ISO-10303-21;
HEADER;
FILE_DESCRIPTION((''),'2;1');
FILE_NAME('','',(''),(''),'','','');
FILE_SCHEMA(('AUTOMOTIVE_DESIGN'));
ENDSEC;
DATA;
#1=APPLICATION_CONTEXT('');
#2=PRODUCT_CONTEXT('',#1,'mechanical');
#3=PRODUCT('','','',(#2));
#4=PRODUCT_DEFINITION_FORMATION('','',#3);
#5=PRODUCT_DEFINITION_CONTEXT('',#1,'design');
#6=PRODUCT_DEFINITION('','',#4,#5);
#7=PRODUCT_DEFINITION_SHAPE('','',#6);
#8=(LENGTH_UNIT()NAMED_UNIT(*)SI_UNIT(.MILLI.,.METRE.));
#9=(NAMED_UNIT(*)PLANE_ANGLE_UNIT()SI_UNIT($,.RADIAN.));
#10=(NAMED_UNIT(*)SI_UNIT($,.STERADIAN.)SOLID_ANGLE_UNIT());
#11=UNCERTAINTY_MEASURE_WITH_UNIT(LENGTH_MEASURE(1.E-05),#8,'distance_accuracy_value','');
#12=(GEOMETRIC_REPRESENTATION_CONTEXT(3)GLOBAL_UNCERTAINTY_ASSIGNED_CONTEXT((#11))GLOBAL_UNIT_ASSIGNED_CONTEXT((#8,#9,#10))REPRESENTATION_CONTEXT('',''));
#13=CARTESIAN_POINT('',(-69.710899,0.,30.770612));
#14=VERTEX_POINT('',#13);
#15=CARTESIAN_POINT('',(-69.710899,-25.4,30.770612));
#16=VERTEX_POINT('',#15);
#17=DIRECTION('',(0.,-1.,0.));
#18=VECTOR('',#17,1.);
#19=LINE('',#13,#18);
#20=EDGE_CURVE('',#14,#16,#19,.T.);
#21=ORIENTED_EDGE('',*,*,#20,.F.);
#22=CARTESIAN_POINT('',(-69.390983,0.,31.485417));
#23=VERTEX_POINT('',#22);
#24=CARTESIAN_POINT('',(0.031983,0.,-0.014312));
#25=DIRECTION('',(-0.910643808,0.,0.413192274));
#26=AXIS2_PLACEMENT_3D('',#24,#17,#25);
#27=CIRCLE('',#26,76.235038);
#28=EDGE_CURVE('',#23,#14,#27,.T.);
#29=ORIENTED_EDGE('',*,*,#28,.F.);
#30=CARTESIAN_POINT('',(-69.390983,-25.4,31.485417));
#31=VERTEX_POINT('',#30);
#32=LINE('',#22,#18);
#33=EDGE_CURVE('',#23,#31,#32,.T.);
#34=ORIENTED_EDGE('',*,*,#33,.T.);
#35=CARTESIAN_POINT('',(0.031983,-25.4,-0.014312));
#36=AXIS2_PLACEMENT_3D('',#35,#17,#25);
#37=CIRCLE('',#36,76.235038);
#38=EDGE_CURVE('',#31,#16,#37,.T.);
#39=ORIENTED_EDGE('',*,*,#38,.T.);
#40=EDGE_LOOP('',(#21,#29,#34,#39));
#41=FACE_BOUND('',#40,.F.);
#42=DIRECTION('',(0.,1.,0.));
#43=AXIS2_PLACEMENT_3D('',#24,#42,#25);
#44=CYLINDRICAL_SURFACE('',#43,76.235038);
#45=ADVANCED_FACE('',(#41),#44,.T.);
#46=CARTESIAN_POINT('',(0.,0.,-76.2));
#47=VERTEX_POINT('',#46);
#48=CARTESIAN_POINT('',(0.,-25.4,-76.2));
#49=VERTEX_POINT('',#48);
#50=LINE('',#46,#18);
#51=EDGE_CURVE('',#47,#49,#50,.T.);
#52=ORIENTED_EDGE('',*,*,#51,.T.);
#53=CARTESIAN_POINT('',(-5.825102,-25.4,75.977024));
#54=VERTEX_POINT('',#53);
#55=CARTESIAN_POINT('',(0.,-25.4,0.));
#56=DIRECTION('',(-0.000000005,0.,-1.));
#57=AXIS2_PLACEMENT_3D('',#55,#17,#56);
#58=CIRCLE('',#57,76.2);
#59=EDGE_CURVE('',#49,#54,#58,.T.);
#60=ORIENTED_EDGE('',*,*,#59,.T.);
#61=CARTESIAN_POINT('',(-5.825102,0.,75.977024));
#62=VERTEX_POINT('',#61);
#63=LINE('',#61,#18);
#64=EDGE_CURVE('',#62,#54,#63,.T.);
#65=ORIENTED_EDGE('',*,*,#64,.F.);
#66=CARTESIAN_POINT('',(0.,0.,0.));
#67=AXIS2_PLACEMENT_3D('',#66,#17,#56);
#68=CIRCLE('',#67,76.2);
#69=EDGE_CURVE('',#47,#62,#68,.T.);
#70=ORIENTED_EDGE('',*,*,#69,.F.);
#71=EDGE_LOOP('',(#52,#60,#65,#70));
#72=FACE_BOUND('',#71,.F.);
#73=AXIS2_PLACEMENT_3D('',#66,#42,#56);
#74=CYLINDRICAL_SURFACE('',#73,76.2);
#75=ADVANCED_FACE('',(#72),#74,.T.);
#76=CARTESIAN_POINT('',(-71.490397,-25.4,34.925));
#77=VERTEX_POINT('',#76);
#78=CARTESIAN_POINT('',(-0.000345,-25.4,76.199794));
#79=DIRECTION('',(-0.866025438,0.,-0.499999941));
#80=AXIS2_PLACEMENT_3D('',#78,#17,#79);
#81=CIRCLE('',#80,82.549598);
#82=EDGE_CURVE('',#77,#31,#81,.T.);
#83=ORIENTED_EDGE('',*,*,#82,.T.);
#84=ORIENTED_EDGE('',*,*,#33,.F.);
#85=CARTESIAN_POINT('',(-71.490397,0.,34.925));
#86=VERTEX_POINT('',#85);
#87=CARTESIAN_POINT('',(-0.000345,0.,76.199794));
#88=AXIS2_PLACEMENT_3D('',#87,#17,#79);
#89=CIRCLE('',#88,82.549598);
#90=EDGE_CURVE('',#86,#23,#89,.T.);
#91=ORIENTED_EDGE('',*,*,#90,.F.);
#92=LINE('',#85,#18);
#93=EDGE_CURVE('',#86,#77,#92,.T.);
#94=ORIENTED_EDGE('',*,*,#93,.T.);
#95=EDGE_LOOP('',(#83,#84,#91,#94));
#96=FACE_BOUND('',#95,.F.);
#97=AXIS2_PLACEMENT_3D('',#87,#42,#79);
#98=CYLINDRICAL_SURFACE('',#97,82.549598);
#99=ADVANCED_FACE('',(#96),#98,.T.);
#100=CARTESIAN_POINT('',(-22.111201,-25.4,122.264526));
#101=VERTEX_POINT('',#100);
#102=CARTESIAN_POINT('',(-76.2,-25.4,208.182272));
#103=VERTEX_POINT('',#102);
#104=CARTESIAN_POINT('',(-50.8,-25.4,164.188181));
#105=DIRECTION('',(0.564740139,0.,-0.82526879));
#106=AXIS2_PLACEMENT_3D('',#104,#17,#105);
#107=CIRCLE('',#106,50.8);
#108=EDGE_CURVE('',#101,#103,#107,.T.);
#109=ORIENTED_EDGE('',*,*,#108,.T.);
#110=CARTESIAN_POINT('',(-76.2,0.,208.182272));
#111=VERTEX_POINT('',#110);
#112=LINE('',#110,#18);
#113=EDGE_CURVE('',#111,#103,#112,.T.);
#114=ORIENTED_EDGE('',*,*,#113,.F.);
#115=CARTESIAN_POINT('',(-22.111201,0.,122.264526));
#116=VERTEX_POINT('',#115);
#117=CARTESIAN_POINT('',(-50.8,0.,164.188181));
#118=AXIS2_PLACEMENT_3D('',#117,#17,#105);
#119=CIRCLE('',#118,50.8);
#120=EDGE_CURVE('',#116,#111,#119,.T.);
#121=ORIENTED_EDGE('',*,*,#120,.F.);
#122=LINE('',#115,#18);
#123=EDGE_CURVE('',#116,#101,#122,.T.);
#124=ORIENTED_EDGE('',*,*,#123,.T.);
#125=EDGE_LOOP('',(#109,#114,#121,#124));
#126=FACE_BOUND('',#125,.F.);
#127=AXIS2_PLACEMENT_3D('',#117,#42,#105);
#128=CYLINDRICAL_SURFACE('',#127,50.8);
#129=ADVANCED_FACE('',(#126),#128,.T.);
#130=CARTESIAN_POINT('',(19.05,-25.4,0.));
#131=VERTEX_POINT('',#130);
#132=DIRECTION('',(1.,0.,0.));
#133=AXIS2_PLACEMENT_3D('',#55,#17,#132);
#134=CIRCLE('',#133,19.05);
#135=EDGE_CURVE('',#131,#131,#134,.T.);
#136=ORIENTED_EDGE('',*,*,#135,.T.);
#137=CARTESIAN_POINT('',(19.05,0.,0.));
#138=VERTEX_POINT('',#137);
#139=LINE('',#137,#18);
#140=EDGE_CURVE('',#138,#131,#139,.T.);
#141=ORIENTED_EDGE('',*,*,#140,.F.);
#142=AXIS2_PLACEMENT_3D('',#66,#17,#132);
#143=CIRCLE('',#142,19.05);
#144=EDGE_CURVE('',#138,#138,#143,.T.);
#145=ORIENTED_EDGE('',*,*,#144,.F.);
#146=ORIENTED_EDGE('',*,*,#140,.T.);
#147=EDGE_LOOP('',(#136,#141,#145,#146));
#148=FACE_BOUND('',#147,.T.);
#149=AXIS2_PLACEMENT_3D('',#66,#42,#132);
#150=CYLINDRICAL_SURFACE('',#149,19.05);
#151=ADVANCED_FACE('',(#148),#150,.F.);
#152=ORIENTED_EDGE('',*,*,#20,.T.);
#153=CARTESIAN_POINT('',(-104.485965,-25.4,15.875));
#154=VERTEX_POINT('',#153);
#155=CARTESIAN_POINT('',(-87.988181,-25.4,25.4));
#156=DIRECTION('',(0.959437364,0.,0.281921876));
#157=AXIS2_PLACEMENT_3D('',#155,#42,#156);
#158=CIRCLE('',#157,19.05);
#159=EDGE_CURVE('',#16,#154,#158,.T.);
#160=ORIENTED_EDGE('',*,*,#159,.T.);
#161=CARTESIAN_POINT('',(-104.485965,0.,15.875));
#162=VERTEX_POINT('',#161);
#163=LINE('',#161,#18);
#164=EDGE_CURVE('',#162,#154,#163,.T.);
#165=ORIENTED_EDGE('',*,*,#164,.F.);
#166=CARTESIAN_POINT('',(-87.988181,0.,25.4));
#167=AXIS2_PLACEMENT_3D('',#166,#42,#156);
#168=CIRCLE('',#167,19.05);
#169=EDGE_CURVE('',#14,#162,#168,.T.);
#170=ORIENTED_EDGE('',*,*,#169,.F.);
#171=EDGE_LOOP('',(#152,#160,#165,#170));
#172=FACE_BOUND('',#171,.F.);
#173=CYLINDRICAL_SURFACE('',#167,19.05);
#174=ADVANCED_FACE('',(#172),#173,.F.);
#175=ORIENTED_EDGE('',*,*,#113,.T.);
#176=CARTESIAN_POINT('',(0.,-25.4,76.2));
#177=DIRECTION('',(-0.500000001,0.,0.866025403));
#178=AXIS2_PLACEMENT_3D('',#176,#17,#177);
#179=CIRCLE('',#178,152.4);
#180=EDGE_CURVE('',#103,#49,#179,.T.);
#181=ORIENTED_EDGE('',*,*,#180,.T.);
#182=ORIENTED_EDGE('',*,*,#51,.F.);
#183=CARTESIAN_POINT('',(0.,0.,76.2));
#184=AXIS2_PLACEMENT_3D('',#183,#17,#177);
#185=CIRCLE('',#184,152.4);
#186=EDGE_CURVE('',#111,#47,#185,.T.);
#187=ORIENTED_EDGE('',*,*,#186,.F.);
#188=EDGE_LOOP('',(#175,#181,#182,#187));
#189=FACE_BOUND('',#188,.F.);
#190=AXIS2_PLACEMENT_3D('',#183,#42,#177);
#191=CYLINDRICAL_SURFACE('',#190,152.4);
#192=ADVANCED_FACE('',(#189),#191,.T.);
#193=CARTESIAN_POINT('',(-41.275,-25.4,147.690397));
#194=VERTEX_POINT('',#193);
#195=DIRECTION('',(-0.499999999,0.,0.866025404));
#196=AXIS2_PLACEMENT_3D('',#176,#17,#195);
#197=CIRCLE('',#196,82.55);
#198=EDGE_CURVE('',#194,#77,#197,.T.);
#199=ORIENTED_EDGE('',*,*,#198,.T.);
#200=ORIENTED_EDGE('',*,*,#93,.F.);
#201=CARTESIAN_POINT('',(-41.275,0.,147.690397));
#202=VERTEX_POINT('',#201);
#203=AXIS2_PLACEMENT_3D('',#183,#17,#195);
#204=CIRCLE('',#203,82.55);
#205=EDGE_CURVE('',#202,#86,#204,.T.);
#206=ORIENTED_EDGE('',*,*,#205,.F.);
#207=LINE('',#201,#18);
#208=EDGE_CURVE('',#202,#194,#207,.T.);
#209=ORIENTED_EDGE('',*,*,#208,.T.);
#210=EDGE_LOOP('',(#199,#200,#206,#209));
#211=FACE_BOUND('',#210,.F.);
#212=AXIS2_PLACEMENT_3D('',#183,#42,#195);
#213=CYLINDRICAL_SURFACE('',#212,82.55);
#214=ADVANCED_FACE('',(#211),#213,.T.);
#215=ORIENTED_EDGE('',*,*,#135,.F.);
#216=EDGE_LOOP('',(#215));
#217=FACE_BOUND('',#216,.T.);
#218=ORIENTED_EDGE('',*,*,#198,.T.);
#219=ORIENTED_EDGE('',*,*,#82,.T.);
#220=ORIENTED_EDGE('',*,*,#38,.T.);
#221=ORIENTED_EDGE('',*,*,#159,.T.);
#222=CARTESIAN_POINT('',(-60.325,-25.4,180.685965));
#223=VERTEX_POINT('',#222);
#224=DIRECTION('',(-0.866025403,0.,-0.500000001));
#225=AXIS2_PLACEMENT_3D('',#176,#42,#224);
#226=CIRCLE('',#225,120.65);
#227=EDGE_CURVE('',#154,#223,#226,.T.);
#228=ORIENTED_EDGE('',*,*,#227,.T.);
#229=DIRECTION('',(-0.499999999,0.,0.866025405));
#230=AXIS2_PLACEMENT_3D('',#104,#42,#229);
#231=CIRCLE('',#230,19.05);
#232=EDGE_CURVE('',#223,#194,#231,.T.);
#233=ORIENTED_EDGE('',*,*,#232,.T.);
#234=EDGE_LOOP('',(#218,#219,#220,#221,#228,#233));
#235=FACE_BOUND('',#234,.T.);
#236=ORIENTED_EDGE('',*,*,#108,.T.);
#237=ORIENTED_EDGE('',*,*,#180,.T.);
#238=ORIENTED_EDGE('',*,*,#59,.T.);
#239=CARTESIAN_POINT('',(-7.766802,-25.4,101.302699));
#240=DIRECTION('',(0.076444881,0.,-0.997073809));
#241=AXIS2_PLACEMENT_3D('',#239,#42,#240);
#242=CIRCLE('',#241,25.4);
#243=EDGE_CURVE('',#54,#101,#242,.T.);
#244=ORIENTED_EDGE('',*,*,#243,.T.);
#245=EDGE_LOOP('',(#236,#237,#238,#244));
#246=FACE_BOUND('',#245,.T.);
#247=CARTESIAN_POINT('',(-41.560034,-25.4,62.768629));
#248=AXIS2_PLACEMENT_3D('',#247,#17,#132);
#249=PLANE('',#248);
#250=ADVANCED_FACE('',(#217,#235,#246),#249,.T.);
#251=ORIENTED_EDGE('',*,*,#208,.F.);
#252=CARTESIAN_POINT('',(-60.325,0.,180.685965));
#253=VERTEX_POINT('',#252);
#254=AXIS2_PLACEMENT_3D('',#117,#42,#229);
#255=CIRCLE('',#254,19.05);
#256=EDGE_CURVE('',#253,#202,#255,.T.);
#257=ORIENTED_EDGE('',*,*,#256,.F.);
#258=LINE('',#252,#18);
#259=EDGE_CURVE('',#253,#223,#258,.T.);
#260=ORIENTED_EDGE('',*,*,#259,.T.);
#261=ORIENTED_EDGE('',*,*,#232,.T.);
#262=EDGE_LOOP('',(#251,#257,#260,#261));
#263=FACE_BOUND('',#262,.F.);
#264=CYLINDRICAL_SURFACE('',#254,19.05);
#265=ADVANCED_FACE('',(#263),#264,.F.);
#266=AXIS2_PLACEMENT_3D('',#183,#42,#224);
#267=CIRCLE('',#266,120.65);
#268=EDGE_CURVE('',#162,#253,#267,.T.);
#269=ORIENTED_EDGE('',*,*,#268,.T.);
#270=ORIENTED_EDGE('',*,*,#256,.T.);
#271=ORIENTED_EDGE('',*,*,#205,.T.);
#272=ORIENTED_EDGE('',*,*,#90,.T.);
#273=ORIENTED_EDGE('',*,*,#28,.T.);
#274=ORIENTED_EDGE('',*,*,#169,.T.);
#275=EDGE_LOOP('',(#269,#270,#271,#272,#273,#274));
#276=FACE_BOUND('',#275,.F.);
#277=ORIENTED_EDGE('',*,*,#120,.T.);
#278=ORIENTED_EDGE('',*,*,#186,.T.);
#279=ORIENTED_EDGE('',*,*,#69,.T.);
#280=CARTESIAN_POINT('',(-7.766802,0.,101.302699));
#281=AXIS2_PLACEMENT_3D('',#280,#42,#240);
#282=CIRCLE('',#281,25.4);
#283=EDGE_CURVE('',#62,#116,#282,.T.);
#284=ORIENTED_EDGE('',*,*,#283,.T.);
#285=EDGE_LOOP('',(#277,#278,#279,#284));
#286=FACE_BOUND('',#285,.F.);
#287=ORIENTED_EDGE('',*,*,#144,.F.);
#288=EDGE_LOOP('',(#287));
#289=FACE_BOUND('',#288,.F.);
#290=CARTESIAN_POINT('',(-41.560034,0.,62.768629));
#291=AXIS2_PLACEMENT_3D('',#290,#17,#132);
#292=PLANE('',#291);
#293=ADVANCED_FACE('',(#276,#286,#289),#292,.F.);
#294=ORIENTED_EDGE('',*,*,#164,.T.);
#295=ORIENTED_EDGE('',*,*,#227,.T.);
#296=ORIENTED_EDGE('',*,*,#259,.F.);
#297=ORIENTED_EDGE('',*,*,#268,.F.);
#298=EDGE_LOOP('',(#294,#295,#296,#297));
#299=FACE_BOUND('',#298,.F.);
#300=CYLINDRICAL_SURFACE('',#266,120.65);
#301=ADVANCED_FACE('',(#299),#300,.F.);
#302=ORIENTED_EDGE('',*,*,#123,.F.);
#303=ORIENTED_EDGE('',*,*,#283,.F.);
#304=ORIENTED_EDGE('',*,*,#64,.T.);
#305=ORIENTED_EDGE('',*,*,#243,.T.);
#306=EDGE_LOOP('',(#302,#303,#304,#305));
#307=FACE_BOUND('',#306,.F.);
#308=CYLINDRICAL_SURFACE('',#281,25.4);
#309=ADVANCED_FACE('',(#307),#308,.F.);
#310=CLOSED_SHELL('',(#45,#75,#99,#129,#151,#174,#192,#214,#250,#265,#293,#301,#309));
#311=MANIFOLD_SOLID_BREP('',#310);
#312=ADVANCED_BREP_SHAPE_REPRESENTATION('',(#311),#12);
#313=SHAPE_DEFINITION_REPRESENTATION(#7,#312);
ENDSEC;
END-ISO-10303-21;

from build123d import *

# Parameters (mm, degrees)
F0_R     = 19.05
F1_DEPTH = 25.4


with BuildPart() as f1:
    # F0 (on Front) → F1 (new body)
    with BuildSketch(Plane.XZ):
        with BuildLine():
            ThreePointArc((-76.2, 208.182272), (-147.207096, 36.755978), (0, -76.2))
            ThreePointArc((0, -76.2), (76.144236, 2.914684), (-5.825102, 75.977024))
            ThreePointArc((-5.825102, 75.977024), (-31.726976, 92.872393), (-22.111201, 122.264526))
            ThreePointArc((-22.111201, 122.264526), (-7.809666, 191.252386), (-76.2, 208.182272))
        make_face()
        Circle(F0_R, mode=Mode.SUBTRACT)
        with BuildLine():
            ThreePointArc((-104.485965, 15.875), (-116.538951, 107.426518), (-60.325, 180.685965))
            ThreePointArc((-60.325, 180.685965), (-34.302216, 173.713181), (-41.275, 147.690397))
            ThreePointArc((-41.275, 147.690397), (-79.737177, 97.565512), (-71.490397, 34.925))
            ThreePointArc((-71.490397, 34.925), (-70.461681, 33.192396), (-69.390983, 31.485417))
            ThreePointArc((-69.390983, 31.485417), (-69.551859, 31.128425), (-69.710899, 30.770612))
            ThreePointArc((-69.710899, 30.770612), (-80.487417, 7.888831), (-104.485965, 15.875))
        make_face(mode=Mode.SUBTRACT)
    extrude(amount=F1_DEPTH)


solid = f1.part
